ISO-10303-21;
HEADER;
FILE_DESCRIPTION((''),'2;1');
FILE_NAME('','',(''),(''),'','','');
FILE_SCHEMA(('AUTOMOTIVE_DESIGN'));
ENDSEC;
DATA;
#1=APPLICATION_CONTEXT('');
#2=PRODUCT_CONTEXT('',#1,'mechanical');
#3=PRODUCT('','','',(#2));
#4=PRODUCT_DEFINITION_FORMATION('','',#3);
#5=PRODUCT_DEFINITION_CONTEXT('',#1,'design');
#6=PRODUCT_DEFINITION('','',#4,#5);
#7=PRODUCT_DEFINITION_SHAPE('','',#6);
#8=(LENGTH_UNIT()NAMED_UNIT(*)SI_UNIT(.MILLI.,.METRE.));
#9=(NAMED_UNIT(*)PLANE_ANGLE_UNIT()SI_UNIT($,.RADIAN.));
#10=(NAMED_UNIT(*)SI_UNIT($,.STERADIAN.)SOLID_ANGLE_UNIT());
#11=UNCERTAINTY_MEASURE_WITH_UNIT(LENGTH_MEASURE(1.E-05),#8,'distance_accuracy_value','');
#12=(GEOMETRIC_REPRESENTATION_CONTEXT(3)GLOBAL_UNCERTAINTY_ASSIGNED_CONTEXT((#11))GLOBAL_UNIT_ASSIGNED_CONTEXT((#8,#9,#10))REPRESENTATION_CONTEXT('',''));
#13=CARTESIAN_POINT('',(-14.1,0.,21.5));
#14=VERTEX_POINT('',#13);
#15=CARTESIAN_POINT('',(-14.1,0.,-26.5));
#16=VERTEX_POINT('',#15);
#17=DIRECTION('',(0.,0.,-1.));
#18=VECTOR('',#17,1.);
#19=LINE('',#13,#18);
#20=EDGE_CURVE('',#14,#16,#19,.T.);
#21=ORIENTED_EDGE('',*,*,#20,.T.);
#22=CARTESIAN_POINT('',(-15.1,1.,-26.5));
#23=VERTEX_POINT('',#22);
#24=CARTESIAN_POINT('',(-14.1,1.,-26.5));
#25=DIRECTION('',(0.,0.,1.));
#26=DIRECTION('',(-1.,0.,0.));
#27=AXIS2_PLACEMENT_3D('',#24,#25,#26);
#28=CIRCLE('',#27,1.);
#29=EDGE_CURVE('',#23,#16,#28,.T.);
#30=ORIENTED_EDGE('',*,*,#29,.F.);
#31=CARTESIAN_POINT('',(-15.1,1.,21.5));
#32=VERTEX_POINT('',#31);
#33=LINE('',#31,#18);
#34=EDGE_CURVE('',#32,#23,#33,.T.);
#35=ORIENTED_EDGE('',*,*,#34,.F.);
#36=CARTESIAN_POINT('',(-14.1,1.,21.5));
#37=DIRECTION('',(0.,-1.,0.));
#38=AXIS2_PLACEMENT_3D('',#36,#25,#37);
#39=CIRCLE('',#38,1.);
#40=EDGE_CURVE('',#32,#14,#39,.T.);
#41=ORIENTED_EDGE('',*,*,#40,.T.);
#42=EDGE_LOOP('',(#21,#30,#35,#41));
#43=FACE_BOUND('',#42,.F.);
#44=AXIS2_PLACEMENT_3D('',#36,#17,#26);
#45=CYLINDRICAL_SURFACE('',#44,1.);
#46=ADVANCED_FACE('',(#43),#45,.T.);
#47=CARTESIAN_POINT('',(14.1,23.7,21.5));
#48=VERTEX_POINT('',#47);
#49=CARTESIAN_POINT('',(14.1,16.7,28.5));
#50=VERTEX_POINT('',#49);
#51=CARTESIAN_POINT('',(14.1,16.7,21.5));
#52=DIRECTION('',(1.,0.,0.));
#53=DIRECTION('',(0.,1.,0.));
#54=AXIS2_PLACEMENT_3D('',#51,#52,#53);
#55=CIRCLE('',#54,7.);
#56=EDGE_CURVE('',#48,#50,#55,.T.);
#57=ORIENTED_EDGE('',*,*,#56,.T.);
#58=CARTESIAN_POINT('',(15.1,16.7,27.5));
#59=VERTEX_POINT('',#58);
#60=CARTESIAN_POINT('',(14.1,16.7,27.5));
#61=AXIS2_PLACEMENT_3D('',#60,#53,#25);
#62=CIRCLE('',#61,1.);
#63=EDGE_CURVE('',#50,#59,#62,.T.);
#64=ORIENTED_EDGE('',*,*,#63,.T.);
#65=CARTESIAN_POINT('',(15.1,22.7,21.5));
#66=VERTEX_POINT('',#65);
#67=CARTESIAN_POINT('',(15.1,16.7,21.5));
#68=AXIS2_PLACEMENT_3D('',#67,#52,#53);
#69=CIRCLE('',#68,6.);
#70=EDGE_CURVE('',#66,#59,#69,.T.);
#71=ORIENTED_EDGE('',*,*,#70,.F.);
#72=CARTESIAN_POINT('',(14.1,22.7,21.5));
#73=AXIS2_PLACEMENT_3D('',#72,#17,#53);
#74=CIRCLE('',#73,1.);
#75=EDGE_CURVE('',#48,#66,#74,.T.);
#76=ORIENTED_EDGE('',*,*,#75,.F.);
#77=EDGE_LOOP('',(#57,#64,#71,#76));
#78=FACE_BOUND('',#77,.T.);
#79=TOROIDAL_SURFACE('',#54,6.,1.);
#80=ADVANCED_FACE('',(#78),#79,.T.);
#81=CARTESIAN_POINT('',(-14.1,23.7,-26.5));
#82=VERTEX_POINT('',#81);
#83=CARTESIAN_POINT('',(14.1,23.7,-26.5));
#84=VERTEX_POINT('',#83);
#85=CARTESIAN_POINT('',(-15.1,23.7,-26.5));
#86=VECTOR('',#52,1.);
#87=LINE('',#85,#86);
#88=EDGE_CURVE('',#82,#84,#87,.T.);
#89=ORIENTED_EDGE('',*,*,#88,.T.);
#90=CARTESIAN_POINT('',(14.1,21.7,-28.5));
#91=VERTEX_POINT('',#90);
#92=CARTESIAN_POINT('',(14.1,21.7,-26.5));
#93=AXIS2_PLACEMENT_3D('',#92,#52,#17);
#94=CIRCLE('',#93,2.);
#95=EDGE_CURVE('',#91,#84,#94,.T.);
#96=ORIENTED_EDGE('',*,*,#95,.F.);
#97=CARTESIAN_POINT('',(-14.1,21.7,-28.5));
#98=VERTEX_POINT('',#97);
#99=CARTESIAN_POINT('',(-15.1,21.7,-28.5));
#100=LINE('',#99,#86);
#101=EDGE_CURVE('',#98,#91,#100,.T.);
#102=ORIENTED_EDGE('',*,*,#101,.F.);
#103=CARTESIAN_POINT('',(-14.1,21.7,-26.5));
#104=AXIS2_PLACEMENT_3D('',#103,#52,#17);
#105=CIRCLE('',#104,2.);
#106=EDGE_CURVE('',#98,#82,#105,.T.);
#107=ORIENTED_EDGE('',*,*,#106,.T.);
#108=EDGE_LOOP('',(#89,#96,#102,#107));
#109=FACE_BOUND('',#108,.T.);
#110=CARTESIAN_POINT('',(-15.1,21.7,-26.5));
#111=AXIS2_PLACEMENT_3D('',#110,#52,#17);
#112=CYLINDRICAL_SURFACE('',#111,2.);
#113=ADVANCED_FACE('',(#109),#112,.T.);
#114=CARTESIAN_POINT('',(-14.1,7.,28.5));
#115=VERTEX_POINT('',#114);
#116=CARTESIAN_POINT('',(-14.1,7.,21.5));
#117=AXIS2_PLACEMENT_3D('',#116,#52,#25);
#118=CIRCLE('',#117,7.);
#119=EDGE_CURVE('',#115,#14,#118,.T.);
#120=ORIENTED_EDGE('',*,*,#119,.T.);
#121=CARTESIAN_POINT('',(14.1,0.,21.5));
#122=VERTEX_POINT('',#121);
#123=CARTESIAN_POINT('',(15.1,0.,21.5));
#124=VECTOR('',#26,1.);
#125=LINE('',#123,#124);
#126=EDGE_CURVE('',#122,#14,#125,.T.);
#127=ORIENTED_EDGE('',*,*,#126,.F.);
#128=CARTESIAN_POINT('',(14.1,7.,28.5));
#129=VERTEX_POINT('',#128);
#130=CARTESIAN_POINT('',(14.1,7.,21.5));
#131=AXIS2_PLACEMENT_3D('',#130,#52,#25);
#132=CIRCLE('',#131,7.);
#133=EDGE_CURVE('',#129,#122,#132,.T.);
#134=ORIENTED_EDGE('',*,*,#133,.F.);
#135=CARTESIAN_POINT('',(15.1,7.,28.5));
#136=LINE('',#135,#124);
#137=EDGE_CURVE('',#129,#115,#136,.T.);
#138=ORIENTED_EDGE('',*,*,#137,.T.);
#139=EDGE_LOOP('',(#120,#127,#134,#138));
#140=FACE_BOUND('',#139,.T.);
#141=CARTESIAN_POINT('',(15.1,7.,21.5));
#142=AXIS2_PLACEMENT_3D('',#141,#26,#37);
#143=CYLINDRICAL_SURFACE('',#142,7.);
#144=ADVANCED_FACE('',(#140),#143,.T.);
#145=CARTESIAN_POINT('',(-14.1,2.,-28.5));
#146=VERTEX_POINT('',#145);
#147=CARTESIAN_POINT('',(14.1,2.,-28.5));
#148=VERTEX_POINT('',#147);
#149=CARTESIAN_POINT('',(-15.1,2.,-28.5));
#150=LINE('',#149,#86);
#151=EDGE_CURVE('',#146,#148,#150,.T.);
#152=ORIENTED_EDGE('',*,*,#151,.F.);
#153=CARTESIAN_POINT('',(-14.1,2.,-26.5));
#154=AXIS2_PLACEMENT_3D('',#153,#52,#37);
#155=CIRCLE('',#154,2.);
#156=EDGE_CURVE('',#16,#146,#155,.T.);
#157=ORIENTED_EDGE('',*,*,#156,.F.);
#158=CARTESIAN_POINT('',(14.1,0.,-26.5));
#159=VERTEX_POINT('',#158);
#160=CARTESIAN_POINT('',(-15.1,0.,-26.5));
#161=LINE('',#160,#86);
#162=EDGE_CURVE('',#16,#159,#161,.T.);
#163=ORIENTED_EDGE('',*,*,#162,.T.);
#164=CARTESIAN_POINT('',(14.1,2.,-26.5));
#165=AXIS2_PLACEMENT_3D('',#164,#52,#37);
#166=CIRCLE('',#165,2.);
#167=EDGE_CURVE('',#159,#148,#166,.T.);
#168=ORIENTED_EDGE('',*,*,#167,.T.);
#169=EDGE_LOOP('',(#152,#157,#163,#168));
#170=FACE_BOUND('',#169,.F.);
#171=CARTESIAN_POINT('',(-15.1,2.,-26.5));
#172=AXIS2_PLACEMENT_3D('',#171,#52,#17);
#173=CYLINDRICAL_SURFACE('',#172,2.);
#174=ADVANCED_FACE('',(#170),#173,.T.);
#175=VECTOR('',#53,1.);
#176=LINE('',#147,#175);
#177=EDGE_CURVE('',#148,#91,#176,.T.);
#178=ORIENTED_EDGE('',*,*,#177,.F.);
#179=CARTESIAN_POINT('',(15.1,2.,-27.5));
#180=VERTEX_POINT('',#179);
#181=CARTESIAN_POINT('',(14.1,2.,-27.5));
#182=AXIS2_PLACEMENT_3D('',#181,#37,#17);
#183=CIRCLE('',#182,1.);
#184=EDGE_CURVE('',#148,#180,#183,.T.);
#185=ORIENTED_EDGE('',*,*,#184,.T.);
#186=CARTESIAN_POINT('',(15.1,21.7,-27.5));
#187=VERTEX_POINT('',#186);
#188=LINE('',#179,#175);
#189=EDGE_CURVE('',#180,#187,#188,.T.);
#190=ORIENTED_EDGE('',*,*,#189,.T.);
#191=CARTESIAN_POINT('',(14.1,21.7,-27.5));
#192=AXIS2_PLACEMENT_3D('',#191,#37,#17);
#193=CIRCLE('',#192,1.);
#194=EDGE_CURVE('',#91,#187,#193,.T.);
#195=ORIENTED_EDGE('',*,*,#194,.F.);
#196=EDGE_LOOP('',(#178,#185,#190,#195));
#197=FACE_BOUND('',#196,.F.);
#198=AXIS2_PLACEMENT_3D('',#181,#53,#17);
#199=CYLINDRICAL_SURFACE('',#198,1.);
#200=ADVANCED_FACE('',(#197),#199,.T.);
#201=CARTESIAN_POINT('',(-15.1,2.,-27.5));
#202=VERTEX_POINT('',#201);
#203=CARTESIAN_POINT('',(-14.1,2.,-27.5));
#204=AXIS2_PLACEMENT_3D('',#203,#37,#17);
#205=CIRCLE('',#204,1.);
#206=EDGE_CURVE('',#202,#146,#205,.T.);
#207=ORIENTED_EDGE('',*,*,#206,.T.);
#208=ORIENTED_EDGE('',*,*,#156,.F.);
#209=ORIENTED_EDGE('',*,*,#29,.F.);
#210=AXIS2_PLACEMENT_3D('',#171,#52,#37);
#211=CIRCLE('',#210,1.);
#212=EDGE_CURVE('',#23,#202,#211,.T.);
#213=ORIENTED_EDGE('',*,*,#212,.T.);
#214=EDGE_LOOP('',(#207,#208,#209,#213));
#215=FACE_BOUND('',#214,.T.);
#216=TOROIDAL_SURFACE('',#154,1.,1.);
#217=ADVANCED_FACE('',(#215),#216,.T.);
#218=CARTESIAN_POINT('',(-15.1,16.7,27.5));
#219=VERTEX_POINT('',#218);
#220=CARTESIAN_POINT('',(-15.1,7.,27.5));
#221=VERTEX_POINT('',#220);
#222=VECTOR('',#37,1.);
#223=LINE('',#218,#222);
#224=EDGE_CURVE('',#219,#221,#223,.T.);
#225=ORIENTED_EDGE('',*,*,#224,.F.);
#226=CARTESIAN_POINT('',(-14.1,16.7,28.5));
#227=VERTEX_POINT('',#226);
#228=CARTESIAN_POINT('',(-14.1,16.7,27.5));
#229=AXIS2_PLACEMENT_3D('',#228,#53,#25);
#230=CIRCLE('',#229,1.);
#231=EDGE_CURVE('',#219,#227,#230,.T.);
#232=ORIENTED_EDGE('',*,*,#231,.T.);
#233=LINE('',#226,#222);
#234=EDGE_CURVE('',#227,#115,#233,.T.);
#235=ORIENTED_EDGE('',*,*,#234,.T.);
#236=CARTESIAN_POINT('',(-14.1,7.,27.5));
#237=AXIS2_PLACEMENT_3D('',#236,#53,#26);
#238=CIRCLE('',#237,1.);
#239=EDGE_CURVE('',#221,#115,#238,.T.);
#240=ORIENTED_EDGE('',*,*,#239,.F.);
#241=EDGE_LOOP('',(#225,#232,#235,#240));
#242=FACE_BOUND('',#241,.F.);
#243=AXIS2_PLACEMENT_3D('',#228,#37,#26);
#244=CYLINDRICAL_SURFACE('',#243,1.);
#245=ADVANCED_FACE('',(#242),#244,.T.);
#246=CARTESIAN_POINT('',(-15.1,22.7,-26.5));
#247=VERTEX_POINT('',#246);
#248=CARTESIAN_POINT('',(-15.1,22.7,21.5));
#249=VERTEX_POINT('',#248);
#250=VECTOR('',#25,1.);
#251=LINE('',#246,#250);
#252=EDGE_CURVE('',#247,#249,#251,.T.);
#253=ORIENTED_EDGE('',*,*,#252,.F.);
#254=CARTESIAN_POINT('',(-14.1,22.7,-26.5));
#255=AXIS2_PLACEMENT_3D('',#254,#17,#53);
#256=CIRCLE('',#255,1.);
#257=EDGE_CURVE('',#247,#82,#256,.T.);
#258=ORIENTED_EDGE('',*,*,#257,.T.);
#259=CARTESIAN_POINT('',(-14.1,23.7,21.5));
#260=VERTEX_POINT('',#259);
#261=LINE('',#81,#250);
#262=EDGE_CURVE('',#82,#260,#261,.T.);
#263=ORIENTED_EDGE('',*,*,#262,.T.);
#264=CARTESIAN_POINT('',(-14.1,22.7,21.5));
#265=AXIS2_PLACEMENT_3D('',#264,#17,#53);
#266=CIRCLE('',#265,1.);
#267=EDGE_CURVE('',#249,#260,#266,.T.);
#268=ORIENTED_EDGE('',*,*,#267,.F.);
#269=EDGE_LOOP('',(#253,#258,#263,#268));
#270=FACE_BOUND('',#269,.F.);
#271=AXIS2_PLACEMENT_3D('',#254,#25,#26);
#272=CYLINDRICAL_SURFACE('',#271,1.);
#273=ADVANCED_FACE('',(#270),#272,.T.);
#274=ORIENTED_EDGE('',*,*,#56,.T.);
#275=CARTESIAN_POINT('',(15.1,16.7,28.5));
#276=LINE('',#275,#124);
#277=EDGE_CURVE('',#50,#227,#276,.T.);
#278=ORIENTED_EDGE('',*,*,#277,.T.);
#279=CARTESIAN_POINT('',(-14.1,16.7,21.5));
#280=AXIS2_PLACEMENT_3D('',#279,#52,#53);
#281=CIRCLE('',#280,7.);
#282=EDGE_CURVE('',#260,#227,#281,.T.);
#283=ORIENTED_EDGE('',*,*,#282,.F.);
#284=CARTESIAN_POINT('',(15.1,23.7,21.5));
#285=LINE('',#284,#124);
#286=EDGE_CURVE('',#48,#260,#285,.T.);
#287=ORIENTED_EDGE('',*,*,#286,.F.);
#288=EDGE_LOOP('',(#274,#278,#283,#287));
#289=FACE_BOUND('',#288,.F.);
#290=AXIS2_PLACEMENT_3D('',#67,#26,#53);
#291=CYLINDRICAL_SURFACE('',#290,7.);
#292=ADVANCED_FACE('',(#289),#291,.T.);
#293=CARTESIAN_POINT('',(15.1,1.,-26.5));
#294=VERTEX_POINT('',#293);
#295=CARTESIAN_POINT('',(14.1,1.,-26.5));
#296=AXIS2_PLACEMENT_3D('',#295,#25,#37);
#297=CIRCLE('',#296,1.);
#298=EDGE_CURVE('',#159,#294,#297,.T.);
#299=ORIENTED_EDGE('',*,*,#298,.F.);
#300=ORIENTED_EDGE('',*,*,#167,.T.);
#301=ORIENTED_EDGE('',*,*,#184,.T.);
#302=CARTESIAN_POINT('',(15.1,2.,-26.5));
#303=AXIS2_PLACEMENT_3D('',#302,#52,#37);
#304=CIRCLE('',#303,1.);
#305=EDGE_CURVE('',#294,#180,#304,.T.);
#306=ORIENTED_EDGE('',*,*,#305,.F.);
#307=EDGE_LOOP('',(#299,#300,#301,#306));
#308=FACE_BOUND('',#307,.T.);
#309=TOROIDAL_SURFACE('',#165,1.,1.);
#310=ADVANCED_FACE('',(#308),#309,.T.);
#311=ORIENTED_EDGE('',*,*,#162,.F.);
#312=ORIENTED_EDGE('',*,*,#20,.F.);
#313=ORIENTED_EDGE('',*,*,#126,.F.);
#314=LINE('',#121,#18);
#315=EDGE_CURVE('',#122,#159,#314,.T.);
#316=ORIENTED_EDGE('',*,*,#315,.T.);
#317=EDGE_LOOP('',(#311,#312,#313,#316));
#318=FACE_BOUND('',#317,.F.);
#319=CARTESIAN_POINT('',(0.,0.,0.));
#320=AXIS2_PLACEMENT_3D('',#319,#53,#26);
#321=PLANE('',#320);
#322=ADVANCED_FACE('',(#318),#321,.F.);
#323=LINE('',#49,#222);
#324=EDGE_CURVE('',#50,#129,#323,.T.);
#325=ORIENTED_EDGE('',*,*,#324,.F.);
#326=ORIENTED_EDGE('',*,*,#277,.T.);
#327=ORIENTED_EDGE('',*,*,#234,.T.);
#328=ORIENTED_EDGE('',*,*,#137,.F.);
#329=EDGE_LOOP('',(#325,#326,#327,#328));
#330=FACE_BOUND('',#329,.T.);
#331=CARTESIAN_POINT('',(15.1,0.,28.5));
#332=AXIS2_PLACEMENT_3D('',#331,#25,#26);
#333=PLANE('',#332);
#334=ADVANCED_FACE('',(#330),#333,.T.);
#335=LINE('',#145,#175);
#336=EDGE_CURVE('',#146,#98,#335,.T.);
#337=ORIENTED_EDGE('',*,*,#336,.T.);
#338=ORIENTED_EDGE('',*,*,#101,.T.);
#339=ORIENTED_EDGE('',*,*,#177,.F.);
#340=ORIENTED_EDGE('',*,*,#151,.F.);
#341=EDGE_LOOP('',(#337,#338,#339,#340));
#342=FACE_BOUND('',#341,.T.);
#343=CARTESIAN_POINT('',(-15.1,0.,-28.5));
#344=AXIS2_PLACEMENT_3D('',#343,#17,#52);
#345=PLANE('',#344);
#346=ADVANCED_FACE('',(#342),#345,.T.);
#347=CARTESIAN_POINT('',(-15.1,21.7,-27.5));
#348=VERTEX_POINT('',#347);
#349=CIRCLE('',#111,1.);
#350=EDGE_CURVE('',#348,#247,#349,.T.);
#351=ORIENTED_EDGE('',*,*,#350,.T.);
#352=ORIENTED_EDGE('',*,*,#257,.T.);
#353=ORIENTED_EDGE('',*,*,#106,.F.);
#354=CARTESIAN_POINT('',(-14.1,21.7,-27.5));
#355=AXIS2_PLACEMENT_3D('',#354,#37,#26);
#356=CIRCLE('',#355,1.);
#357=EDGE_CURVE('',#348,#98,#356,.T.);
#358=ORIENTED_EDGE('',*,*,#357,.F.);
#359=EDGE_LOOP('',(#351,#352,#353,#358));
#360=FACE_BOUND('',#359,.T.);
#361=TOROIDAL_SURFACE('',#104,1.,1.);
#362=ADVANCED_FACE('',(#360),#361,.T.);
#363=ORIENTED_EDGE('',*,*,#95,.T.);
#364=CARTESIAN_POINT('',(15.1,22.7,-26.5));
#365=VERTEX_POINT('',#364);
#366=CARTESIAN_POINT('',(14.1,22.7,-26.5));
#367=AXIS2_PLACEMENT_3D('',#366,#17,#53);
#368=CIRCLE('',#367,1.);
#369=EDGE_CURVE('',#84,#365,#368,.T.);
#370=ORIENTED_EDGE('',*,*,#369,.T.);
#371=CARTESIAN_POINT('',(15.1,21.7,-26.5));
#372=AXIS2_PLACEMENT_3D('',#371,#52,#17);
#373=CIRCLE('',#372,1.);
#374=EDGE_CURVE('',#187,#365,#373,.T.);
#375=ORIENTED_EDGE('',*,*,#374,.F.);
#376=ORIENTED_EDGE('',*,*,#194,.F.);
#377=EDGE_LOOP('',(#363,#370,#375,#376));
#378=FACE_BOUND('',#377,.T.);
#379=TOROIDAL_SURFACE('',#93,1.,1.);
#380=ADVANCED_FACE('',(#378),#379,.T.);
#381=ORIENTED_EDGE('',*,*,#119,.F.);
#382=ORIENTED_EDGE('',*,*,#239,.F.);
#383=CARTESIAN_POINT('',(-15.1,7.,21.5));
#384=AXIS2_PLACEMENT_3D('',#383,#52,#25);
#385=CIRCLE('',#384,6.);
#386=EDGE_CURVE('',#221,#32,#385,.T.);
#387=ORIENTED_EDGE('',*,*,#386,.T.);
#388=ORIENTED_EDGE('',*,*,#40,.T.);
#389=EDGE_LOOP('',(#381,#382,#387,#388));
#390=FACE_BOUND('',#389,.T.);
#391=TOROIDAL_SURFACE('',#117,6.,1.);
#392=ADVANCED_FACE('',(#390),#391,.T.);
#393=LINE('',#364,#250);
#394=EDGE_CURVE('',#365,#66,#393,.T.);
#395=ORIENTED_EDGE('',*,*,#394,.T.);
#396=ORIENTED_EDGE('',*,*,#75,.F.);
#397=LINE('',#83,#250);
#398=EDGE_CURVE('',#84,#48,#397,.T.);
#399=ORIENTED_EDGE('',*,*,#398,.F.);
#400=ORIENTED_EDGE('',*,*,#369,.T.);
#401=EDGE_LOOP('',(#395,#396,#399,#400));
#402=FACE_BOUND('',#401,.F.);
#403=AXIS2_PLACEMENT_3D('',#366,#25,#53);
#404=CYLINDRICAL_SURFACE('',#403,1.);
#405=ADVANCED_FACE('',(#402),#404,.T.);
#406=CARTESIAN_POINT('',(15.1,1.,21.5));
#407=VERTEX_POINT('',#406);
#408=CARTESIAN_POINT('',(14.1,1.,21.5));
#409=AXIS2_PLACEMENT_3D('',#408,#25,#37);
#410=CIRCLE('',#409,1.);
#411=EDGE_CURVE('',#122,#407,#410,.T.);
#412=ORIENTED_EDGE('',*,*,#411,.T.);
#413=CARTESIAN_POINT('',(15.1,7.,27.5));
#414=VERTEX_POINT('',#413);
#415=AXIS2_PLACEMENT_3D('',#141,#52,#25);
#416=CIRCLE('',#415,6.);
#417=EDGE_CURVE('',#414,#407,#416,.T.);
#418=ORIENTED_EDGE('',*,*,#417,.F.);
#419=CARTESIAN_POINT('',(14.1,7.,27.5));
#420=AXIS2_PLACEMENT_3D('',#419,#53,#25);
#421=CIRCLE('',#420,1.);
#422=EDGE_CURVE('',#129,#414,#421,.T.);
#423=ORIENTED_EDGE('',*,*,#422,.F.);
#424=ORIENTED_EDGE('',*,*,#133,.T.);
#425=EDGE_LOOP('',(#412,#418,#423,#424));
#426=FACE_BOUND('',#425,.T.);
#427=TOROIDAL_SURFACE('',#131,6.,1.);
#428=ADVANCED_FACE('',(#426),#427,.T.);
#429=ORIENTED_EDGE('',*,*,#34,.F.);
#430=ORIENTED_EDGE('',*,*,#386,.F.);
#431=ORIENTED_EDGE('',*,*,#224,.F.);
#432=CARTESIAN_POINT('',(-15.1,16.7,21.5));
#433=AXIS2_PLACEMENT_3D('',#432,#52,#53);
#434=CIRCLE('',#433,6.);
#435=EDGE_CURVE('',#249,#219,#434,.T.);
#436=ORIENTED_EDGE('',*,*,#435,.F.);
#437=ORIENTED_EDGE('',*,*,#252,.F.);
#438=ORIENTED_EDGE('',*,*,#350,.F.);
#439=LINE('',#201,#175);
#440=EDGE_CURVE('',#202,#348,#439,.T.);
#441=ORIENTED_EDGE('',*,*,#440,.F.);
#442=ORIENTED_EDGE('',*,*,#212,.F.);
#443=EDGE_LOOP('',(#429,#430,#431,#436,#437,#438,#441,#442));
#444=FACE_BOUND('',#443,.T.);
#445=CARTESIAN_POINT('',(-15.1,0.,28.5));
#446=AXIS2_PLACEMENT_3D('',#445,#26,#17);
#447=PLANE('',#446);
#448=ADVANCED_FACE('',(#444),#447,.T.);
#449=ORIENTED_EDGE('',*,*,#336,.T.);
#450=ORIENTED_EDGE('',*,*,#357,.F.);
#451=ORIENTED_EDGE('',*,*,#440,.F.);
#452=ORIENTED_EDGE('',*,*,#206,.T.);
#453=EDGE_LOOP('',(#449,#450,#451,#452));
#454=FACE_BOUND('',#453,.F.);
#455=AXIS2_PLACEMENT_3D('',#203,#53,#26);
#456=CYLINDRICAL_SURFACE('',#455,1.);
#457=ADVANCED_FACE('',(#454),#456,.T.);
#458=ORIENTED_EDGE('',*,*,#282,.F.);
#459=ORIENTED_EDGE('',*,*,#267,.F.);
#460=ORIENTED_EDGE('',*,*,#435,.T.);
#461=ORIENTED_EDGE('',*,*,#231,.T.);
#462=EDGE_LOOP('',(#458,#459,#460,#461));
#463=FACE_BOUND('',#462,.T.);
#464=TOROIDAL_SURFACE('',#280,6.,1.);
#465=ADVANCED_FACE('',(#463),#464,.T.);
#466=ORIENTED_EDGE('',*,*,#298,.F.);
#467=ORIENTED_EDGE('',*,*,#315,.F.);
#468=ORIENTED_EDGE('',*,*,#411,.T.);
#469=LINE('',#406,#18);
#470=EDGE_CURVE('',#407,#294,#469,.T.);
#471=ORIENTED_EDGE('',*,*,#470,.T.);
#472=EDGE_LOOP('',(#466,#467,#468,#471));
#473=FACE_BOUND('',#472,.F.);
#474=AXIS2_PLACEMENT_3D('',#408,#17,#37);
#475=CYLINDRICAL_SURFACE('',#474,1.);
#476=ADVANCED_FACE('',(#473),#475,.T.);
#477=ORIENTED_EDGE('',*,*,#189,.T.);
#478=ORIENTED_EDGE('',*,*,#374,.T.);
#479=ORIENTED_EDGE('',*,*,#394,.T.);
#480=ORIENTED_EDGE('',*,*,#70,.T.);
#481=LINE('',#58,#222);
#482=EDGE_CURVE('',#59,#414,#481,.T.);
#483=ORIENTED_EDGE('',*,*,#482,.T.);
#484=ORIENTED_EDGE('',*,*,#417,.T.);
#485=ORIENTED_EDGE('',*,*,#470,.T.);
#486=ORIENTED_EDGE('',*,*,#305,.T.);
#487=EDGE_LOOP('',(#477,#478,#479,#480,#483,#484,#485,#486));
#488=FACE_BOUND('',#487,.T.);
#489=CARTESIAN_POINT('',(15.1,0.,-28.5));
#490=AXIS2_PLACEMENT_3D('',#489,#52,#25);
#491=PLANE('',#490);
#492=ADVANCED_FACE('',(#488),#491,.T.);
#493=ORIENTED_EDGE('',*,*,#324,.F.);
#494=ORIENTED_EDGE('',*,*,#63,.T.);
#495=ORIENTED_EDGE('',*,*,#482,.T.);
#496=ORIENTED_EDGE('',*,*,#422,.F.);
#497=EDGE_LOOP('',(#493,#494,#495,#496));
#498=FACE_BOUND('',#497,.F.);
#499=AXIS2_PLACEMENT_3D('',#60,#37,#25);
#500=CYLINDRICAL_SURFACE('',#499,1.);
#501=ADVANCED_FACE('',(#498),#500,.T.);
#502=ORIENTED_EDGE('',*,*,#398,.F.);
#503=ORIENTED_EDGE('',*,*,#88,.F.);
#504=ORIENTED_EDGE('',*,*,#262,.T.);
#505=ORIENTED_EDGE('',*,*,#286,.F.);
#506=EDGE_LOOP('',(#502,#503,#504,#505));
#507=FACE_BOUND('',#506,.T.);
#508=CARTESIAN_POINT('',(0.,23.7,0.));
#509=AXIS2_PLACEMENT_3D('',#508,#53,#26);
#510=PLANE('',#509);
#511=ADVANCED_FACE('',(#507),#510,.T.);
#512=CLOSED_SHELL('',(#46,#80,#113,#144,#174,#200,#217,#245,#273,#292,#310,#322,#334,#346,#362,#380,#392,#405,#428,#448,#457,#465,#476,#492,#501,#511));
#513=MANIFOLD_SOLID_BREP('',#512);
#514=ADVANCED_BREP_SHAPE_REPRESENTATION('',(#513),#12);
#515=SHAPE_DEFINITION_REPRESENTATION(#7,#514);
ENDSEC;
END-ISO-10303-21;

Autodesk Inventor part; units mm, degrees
ref_plane "YZ Plane" through (0, 0, 0) normal (1, 0, 0) x (0, 1, 0)
ref_plane "XZ Plane" through (0, 0, 0) normal (0, 1, 0) x (-1, 0, 0)
ref_plane "XY Plane" through (0, 0, 0) normal (0, 0, 1) x (1, 0, 0)
sketch "Sketch1" plane through (0, 0, 0) normal (0, 1, 0) x (-1, 0, 0)
  line L0 (15.1, -28.5) -> (-15.1, -28.5)
  line L1 (-15.1, -28.5) -> (-15.1, 28.5)
  line L2 (-15.1, 28.5) -> (15.1, 28.5)
  line L3 (15.1, 28.5) -> (15.1, -28.5)
  dimension "d0" = 30.2
  dimension "d1" = 57
extrude "Extrusion1" add sketch "Sketch1" along normal blind 23.7
fillet "Fillet1" radius 2 2 edges at (0, 23.7, -28.5) (0, 0, -28.5)
fillet "Fillet2" radius 7 2 edges at (0, 23.7, 28.5) (0, 0, 28.5)
fillet "Fillet3" radius 1 16 edges at (15.1, 23.7, -2.5) (15.1, 23.1142, -27.9142) (15.1, 11.85, -28.5) (15.1, 0.5858, -27.9142) (15.1, 0, -2.5) (15.1, 2.0503, 26.4497) (15.1, 11.85, 28.5) (15.1, 21.6497, 26.4497) (-15.1, 21.6497, 26.4497) (-15.1, 11.85, 28.5) (-15.1, 2.0503, 26.4497) (-15.1, 0, -2.5) (-15.1, 0.5858, -27.9142) (-15.1, 11.85, -28.5) (-15.1, 23.1142, -27.9142) (-15.1, 23.7, -2.5)
properties part number "Lipo"
